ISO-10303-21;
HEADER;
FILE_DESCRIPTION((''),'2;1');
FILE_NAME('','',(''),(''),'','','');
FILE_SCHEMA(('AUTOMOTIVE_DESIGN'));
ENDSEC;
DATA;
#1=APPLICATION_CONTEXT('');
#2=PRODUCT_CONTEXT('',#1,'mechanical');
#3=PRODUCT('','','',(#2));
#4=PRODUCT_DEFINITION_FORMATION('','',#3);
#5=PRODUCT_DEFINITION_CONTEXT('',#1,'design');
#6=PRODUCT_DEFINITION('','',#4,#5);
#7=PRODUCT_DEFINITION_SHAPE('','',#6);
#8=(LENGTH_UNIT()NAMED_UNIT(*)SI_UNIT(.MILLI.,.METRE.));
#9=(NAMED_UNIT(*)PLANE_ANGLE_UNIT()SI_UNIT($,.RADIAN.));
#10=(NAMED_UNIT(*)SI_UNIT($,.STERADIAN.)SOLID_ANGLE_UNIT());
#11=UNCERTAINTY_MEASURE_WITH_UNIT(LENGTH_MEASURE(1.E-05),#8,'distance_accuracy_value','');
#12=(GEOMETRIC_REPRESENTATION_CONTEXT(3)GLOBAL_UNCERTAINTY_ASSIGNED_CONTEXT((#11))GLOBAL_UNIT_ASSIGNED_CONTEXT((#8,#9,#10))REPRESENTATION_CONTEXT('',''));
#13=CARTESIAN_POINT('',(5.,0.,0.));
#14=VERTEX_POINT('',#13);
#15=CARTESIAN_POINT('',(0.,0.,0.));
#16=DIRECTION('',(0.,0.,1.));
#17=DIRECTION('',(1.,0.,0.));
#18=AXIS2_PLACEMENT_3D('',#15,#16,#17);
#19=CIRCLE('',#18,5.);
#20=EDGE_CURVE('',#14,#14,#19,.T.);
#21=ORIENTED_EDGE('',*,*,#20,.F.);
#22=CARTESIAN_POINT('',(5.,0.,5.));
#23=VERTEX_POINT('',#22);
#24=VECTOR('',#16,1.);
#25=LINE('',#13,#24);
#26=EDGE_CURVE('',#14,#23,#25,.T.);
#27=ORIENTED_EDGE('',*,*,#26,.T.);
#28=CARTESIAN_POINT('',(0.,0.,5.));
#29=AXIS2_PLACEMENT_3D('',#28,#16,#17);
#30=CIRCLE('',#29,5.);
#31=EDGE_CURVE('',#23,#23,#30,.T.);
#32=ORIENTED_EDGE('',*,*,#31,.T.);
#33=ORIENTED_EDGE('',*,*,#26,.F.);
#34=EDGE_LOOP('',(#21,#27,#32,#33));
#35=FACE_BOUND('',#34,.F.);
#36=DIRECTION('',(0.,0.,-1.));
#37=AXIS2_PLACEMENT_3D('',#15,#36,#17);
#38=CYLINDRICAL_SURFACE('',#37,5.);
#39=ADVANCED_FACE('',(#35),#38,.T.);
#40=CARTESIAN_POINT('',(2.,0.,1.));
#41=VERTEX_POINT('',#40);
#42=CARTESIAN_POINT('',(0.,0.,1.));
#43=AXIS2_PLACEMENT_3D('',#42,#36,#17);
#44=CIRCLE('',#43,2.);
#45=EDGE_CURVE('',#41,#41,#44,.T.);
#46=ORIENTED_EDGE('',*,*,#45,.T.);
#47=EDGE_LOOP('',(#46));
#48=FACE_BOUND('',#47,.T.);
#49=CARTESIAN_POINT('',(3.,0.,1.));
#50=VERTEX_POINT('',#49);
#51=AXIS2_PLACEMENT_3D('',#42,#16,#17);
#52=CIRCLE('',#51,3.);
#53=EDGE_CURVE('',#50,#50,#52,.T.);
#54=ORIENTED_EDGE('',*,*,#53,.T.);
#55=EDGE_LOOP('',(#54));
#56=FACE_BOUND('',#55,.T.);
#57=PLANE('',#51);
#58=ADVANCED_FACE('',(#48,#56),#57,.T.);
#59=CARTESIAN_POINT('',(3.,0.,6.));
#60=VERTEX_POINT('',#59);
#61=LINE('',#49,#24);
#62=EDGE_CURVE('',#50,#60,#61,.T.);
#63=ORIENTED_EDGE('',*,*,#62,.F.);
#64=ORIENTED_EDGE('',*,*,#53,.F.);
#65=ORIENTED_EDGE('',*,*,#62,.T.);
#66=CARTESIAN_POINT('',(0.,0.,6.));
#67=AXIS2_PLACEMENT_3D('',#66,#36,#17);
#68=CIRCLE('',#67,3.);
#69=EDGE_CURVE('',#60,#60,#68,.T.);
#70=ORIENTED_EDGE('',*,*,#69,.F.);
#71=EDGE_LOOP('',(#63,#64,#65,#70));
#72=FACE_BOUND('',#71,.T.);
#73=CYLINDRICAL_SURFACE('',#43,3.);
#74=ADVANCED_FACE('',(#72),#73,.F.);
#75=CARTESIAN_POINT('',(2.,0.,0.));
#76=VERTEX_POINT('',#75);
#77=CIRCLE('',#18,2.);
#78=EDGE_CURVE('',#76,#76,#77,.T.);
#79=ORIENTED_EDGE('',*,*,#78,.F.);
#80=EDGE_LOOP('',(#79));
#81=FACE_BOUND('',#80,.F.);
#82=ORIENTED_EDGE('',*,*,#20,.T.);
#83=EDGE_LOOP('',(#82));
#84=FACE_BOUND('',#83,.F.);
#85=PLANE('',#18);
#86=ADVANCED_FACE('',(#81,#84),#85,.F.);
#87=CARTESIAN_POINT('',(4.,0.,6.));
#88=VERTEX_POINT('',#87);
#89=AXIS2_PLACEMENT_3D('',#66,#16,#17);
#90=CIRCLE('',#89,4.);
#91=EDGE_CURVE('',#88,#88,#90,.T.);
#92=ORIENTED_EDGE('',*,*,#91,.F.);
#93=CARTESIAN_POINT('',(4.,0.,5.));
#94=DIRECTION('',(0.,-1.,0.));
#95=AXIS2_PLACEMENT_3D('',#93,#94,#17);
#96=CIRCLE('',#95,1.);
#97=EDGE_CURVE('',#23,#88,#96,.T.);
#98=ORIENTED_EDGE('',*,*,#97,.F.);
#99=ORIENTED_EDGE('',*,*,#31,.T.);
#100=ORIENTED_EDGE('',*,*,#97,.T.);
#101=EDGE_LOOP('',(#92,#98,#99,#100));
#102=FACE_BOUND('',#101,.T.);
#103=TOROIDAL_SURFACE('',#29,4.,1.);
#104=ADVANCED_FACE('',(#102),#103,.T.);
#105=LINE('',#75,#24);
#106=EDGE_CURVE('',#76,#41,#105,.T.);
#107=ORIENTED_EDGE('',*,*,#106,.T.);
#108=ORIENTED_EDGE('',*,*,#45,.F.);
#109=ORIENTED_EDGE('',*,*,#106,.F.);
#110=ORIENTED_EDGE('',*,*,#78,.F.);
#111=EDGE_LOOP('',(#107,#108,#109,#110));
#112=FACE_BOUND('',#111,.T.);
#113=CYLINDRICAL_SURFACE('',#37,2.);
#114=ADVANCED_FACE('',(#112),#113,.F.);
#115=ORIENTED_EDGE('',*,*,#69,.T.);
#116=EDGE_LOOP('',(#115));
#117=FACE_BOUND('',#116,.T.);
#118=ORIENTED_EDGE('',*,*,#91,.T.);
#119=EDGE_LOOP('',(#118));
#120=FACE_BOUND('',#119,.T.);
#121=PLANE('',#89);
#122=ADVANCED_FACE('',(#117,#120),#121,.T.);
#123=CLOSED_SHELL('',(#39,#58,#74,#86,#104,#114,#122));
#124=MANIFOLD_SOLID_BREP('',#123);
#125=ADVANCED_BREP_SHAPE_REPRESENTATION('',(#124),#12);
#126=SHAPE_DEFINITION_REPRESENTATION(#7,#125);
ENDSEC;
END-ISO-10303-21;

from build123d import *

# Parameters (mm, degrees)
CYLINDER032_R     = 2
CYLINDER032_DEPTH = 10
CYLINDER030_R     = 3
CYLINDER030_DEPTH = 10
CYLINDER031_R     = 5
CYLINDER031_DEPTH = 6
FILLET008_R       = 1


with BuildPart() as hole_cylinder:
    # Cylinder032 → Cylinder032 (new body)
    with BuildSketch(Plane.XY):
        Circle(CYLINDER032_R)
    extrude(amount=CYLINDER032_DEPTH)


with BuildPart() as fusion010:
    # Cylinder030 → Cylinder030 (new body)
    with BuildSketch(Plane.XY.offset(1)):
        Circle(CYLINDER030_R)
    extrude(amount=CYLINDER030_DEPTH)

    # Fusion010: union hole cylinder
    add(hole_cylinder.part)


with BuildPart() as fillet008:
    # Cylinder031 → Cylinder031 (new body)
    with BuildSketch(Plane.XY):
        Circle(CYLINDER031_R)
    extrude(amount=CYLINDER031_DEPTH)

    # Cut012: cut Fusion010
    add(fusion010.part, mode=Mode.SUBTRACT)

    # Fillet008
    fillet008_edges = [fillet008.edges().sort_by_distance(p)[0] for p in [
        (-5, 0, 6),
    ]]
    fillet(fillet008_edges, radius=FILLET008_R)


solid = fillet008.part
